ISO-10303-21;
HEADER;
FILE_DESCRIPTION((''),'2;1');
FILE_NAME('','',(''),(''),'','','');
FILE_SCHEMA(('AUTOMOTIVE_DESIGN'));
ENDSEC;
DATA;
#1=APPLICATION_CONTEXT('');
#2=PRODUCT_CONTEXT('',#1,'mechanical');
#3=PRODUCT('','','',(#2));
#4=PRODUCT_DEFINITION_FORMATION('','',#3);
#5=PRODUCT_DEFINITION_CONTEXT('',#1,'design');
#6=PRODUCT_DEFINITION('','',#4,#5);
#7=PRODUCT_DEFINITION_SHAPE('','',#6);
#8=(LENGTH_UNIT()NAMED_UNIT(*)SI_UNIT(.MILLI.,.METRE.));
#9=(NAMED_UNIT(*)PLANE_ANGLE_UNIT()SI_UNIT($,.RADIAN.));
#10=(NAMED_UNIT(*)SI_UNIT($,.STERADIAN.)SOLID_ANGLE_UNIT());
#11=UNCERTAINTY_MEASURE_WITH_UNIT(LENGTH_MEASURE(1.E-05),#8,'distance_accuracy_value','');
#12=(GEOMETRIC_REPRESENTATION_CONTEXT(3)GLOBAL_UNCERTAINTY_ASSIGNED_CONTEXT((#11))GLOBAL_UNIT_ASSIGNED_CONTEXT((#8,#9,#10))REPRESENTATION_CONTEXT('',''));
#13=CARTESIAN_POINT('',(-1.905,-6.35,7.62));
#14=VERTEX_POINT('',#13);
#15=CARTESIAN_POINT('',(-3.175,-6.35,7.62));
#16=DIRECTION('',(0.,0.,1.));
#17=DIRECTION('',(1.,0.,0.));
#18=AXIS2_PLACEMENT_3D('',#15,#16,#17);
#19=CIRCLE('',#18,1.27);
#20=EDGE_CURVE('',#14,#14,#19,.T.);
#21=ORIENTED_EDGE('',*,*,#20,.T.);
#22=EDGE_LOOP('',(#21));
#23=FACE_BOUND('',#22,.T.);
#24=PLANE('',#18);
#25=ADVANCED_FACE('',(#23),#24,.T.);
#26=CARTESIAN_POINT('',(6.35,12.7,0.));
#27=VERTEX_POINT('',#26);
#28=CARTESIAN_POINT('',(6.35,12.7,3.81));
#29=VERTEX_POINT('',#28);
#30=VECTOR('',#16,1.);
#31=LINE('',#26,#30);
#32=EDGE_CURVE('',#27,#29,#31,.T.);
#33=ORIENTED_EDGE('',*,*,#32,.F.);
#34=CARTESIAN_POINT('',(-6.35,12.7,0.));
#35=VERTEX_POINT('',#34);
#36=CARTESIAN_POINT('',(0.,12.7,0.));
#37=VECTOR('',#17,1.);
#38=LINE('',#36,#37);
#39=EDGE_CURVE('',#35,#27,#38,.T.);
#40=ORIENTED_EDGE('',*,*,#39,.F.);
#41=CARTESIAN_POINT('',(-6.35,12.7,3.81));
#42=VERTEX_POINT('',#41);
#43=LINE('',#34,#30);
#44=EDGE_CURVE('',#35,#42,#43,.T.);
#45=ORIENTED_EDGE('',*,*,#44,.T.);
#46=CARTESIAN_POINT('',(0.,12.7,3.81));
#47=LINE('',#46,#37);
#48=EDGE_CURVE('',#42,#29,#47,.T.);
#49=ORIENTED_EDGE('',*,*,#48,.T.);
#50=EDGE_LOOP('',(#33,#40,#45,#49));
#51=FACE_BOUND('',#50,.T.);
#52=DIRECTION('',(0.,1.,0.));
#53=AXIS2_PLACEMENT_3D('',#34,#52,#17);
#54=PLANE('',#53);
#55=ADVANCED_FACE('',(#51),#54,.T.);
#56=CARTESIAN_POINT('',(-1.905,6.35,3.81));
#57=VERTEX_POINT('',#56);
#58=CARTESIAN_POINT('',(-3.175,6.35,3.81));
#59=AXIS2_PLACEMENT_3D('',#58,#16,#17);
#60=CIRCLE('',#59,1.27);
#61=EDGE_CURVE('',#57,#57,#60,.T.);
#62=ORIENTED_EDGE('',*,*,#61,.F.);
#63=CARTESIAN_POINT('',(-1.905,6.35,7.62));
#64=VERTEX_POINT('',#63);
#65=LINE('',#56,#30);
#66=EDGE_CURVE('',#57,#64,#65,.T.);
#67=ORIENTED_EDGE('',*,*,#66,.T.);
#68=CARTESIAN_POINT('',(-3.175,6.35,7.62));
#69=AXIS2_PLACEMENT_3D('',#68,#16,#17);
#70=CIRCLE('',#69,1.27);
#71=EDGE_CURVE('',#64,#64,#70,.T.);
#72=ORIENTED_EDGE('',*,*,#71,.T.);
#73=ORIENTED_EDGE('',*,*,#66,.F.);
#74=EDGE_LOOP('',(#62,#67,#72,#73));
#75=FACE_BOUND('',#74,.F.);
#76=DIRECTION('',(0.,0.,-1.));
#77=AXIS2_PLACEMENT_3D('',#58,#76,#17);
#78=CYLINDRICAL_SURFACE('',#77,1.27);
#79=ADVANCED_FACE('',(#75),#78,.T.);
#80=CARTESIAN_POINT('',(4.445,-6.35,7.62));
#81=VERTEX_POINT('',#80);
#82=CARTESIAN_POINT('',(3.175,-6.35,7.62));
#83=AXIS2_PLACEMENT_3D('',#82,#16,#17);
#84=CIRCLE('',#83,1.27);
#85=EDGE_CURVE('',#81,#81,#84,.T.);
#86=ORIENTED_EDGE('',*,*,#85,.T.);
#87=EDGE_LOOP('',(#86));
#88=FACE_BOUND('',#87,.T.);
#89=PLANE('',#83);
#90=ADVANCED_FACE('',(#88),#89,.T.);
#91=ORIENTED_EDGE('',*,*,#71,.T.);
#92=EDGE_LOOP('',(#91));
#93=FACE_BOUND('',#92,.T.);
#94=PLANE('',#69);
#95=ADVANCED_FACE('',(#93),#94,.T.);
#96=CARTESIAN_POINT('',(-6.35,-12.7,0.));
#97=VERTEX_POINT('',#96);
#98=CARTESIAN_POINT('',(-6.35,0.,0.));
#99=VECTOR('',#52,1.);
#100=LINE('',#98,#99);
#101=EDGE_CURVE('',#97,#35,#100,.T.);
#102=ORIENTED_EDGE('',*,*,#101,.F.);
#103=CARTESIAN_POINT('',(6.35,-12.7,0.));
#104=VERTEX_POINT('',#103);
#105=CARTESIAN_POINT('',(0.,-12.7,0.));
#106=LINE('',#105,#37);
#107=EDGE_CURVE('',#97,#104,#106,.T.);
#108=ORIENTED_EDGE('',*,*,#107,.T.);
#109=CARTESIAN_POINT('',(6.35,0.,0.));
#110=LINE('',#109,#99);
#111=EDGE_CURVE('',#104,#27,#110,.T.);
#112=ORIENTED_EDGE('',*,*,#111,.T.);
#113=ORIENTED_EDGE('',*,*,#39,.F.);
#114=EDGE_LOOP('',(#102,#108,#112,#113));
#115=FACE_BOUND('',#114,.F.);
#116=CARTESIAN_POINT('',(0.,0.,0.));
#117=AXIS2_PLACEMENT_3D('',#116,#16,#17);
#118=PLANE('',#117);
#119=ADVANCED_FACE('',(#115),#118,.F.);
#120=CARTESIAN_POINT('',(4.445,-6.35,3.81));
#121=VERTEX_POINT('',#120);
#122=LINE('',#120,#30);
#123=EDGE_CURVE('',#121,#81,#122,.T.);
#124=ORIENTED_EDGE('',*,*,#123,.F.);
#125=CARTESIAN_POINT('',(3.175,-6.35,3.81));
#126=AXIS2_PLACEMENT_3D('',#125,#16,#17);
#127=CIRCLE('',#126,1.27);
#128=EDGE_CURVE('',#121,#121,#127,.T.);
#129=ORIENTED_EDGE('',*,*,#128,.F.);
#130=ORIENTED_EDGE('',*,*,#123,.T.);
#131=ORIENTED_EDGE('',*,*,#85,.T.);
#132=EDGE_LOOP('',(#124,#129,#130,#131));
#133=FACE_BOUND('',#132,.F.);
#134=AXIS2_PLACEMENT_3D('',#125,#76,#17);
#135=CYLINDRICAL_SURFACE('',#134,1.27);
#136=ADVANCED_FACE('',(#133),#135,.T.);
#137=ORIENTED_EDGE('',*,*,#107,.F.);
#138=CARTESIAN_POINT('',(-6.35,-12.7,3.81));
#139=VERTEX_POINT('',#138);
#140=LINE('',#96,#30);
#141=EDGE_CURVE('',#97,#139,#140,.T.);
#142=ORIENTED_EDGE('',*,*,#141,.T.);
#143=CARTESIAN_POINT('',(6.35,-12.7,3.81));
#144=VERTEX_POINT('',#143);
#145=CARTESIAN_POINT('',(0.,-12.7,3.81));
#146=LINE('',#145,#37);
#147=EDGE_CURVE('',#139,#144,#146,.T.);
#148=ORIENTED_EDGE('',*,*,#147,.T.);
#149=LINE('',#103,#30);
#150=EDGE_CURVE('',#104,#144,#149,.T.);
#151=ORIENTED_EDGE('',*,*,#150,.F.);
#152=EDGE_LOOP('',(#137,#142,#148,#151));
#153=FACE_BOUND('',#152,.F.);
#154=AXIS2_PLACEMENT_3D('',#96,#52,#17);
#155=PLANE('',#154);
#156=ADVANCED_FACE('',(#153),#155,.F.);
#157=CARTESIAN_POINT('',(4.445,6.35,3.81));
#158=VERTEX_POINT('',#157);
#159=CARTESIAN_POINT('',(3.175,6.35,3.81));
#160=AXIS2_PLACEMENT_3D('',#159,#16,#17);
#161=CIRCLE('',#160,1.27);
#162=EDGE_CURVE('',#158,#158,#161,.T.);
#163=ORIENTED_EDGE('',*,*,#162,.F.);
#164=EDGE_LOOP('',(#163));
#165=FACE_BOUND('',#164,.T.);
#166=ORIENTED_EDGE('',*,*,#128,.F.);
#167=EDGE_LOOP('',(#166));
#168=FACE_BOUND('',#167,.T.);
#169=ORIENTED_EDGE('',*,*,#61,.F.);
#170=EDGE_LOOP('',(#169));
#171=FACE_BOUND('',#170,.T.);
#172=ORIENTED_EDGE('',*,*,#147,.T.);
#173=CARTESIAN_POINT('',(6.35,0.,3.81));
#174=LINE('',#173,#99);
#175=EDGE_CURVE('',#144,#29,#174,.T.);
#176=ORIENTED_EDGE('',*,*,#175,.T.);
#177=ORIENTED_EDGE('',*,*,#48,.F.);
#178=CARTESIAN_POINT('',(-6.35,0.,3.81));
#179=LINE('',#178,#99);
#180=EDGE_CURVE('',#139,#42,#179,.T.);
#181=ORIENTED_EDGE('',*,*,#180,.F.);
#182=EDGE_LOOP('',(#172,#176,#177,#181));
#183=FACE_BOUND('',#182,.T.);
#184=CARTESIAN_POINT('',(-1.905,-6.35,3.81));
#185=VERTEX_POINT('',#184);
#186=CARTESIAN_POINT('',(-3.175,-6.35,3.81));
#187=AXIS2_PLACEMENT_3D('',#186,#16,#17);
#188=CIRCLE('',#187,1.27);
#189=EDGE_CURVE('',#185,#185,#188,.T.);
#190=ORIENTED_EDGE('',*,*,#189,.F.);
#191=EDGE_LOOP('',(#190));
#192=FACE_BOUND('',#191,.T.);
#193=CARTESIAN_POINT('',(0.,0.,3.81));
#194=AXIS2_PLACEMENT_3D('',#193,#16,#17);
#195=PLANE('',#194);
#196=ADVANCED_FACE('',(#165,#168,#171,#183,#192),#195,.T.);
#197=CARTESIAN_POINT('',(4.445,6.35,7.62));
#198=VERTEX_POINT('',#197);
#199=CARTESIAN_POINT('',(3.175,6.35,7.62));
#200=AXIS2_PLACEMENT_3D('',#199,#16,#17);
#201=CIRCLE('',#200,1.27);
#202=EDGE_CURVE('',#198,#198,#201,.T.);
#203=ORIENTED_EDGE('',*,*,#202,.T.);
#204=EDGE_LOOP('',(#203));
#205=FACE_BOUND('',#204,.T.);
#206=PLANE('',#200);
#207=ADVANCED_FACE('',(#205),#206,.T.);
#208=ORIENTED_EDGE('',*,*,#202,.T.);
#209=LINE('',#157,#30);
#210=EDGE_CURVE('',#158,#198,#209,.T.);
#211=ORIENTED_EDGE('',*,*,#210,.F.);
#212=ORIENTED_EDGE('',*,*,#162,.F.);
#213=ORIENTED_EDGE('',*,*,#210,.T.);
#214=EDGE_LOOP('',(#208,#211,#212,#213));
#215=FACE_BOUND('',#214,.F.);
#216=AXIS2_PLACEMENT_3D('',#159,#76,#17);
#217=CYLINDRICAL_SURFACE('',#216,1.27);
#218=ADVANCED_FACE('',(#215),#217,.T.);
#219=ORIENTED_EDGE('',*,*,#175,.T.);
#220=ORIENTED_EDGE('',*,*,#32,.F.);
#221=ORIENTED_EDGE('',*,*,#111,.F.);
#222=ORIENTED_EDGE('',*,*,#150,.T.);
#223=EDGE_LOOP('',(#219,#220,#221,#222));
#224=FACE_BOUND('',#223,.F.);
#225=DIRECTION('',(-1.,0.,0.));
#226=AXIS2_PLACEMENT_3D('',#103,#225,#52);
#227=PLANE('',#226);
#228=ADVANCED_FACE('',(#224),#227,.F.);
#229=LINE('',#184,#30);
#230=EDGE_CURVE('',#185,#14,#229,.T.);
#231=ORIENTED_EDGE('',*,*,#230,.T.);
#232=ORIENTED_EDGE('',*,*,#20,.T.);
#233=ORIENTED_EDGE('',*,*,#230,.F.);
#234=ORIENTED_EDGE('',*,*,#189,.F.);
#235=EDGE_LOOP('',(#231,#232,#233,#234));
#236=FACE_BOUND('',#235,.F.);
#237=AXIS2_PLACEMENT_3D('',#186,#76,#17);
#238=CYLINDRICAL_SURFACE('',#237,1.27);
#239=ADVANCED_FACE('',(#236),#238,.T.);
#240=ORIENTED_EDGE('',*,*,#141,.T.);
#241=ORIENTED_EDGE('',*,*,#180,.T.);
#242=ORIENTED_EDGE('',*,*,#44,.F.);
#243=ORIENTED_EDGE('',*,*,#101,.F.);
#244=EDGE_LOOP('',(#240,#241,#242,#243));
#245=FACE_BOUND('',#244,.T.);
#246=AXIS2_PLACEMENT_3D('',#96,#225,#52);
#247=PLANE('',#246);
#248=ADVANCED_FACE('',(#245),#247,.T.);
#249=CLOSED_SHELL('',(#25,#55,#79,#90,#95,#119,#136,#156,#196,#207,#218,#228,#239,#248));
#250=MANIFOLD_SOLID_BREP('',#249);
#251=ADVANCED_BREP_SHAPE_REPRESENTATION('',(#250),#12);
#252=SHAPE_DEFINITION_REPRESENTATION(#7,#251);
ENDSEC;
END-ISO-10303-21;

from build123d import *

# Parameters (mm, degrees)
F0_W     = 12.7
F0_H     = 25.4
F1_DEPTH = 3.81
F2_R     = 1.27
F3_DEPTH = 3.81


with BuildPart() as f1:
    # F0 (on Top) → F1 (new body)
    with BuildSketch(Plane.XY):
        Rectangle(F0_W, F0_H)
    extrude(amount=F1_DEPTH)

    # F2 (on face) → F3 (join)
    with BuildSketch(Plane.XY.offset(3.81)):
        with Locations((-3.175, 6.35)):
            Circle(F2_R)
        with Locations((3.175, 6.35)):
            Circle(F2_R)
        with Locations((3.175, -6.35)):
            Circle(F2_R)
        with Locations((-3.175, -6.35)):
            Circle(F2_R)
    extrude(amount=F3_DEPTH)


solid = f1.part
